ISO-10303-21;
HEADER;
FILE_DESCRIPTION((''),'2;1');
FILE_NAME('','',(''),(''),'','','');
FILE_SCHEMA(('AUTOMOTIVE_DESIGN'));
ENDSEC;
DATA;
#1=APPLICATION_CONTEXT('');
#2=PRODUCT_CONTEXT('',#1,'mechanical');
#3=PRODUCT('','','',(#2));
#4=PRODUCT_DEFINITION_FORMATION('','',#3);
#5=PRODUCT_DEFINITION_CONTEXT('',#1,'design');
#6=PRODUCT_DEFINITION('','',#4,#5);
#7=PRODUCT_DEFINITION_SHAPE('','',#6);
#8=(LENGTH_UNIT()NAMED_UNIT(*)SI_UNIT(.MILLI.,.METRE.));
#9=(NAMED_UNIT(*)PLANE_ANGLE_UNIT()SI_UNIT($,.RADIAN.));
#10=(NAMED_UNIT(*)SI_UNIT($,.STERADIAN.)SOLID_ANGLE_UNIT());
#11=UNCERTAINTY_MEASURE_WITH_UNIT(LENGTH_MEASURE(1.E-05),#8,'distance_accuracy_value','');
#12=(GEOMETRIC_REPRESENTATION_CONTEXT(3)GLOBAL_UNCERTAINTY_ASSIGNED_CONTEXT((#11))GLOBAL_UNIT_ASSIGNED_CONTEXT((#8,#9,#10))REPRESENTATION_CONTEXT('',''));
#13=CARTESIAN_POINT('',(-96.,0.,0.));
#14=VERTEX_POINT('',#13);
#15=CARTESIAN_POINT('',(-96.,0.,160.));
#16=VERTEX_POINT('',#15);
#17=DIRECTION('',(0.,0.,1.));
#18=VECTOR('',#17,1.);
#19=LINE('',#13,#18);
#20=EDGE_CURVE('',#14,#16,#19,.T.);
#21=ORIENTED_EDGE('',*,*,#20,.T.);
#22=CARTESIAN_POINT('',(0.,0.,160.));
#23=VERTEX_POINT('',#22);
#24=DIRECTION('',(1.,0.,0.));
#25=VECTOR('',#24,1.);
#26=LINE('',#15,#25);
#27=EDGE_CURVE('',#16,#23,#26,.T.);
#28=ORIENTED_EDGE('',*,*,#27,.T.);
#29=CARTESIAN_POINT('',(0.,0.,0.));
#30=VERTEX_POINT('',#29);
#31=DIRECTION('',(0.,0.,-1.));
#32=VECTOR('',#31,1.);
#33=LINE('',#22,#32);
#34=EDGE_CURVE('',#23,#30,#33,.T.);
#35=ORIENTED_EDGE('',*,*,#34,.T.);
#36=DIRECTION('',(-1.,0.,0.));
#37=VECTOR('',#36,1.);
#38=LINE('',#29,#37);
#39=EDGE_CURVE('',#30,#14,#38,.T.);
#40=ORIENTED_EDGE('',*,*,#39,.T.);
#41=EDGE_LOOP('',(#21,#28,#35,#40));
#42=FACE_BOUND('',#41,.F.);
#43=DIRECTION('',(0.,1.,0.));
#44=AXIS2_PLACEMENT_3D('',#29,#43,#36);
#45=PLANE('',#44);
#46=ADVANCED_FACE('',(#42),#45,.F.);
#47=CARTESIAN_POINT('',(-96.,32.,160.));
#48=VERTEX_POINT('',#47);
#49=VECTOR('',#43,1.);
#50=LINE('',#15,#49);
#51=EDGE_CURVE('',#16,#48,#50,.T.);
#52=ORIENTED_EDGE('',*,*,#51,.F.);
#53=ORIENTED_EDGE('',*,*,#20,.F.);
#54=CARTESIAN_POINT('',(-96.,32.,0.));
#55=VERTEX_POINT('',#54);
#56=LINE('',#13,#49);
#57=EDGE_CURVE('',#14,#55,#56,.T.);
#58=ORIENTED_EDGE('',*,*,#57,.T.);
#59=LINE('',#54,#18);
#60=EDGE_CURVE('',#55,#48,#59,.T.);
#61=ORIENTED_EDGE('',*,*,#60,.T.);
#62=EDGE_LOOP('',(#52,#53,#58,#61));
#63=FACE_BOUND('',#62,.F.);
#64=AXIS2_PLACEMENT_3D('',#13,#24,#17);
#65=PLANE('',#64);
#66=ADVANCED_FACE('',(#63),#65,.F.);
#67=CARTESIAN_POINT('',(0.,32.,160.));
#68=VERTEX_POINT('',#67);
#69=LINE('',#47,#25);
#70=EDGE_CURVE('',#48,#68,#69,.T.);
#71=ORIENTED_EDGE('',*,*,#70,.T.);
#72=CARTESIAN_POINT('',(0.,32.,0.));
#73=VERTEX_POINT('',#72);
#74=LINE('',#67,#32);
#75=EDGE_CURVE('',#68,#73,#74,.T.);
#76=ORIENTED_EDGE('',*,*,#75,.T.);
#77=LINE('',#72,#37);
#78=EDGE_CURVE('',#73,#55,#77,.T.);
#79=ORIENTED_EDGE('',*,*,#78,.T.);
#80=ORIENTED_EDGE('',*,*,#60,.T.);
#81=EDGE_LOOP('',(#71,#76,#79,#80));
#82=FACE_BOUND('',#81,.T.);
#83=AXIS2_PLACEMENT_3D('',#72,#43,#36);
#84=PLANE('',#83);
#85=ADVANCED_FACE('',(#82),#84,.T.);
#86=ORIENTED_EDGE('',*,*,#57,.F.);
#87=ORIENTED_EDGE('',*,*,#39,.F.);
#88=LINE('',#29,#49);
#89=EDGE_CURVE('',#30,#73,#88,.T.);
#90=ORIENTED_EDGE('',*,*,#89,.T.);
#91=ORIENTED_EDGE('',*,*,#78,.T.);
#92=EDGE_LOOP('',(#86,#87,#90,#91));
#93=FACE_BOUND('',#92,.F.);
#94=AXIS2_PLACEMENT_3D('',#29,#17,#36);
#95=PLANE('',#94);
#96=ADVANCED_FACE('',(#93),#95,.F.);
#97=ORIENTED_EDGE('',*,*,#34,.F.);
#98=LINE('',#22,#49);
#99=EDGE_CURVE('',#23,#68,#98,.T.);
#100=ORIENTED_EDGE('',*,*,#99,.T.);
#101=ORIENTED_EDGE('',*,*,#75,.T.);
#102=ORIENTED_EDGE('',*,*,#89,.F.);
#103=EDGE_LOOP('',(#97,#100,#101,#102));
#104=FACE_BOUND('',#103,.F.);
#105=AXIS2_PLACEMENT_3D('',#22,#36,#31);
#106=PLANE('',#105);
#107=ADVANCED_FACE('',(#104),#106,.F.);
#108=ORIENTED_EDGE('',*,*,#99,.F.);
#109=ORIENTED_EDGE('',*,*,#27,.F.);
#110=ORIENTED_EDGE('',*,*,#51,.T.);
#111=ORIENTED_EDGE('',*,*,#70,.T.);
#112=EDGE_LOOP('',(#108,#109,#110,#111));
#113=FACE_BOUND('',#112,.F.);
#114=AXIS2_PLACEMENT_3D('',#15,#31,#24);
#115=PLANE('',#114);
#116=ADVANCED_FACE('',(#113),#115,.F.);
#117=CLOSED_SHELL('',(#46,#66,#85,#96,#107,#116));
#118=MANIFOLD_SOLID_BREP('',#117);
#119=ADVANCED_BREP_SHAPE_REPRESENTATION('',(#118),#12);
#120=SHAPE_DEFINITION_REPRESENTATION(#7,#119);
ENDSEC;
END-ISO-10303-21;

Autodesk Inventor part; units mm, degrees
ref_plane "YZ Plane" through (0, 0, 0) normal (1, 0, 0) x (0, 1, 0)
ref_plane "XZ Plane" through (0, 0, 0) normal (0, 1, 0) x (-1, 0, 0)
ref_plane "XY Plane" through (0, 0, 0) normal (0, 0, 1) x (1, 0, 0)
sketch "Sketch1" plane through (0, 0, 0) normal (0, 1, 0) x (-1, 0, 0)
  line L0 (0, 0) -> (96, 0)
  line L1 (96, 0) -> (96, 160)
  line L2 (96, 160) -> (0, 160)
  line L3 (0, 160) -> (0, 0)
  dimension "d0" = 96
  dimension "d1" = 160
extrude "Extrusion1" add sketch "Sketch1" along normal blind 32
properties part number "middlebit"
